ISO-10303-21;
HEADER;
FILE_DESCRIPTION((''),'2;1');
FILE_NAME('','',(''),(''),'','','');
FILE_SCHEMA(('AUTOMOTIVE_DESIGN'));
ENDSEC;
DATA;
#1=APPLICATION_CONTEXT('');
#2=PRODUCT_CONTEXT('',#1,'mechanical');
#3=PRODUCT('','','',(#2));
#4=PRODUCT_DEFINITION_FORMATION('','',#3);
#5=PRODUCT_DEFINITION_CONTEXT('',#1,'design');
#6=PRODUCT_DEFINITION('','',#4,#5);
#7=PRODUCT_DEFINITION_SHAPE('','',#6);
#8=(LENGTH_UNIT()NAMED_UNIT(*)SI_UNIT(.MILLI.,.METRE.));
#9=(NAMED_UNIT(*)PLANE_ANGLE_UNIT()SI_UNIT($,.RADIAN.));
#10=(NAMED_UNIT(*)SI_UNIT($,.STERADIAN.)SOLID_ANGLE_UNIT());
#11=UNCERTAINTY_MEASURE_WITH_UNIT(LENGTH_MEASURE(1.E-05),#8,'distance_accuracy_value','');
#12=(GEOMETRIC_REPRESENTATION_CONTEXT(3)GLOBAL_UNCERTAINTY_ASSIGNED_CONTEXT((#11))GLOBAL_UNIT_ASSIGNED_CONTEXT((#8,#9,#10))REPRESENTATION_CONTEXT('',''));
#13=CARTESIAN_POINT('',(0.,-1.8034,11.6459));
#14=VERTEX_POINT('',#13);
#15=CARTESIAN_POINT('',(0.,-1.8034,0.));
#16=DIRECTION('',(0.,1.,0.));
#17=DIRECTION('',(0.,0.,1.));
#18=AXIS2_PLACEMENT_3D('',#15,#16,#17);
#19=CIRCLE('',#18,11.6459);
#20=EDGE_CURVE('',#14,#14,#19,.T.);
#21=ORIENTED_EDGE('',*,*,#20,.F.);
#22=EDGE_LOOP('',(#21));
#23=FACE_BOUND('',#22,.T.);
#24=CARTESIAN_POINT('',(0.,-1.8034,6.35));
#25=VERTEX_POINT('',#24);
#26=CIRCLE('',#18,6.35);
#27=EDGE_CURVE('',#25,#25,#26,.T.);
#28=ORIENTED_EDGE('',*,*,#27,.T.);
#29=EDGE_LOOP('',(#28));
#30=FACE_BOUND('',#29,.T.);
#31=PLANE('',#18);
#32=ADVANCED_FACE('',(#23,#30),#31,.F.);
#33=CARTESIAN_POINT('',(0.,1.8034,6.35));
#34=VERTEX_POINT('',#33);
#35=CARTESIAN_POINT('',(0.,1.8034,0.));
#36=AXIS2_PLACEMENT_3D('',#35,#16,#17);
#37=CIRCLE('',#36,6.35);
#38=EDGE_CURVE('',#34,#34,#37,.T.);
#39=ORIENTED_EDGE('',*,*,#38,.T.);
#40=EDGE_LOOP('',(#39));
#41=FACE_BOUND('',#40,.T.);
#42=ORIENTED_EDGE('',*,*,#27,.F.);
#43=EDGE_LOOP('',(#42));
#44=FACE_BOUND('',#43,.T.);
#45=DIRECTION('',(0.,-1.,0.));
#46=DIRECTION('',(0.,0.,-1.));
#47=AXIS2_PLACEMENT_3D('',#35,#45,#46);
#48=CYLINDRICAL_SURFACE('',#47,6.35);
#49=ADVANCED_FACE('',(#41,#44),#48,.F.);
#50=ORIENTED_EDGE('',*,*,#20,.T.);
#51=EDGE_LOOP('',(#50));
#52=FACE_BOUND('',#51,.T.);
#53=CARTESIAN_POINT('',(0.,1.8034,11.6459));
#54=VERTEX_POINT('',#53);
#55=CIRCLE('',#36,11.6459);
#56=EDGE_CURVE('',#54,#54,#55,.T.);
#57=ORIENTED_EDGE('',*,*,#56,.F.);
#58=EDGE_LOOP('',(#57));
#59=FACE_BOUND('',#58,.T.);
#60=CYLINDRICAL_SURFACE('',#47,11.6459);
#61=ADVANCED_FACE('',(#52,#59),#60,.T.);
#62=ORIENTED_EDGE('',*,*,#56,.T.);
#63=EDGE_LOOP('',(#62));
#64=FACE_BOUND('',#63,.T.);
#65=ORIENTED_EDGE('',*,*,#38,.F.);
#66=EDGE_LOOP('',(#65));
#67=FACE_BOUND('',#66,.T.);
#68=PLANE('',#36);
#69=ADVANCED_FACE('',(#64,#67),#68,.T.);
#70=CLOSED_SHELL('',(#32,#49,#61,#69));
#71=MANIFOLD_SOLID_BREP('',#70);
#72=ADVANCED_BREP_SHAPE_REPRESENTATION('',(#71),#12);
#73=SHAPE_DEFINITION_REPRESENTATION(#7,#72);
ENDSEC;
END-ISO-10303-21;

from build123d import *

# Parameters (mm, degrees)
SKETCH1_R           = 11.6459
SKETCH1_R_2         = 6.35
BOSS_EXTRUDE1_DEPTH = 1.8034


with BuildPart() as part:
    # Sketch1 → Boss-Extrude1 (new body, symmetric)
    with BuildSketch(Plane(origin=(0, 0, 0), x_dir=(1, 0, 0), z_dir=(0, 1, 0))):
        Circle(SKETCH1_R)
        Circle(SKETCH1_R_2, mode=Mode.SUBTRACT)
    extrude(amount=BOSS_EXTRUDE1_DEPTH, both=True)


solid = part.part
